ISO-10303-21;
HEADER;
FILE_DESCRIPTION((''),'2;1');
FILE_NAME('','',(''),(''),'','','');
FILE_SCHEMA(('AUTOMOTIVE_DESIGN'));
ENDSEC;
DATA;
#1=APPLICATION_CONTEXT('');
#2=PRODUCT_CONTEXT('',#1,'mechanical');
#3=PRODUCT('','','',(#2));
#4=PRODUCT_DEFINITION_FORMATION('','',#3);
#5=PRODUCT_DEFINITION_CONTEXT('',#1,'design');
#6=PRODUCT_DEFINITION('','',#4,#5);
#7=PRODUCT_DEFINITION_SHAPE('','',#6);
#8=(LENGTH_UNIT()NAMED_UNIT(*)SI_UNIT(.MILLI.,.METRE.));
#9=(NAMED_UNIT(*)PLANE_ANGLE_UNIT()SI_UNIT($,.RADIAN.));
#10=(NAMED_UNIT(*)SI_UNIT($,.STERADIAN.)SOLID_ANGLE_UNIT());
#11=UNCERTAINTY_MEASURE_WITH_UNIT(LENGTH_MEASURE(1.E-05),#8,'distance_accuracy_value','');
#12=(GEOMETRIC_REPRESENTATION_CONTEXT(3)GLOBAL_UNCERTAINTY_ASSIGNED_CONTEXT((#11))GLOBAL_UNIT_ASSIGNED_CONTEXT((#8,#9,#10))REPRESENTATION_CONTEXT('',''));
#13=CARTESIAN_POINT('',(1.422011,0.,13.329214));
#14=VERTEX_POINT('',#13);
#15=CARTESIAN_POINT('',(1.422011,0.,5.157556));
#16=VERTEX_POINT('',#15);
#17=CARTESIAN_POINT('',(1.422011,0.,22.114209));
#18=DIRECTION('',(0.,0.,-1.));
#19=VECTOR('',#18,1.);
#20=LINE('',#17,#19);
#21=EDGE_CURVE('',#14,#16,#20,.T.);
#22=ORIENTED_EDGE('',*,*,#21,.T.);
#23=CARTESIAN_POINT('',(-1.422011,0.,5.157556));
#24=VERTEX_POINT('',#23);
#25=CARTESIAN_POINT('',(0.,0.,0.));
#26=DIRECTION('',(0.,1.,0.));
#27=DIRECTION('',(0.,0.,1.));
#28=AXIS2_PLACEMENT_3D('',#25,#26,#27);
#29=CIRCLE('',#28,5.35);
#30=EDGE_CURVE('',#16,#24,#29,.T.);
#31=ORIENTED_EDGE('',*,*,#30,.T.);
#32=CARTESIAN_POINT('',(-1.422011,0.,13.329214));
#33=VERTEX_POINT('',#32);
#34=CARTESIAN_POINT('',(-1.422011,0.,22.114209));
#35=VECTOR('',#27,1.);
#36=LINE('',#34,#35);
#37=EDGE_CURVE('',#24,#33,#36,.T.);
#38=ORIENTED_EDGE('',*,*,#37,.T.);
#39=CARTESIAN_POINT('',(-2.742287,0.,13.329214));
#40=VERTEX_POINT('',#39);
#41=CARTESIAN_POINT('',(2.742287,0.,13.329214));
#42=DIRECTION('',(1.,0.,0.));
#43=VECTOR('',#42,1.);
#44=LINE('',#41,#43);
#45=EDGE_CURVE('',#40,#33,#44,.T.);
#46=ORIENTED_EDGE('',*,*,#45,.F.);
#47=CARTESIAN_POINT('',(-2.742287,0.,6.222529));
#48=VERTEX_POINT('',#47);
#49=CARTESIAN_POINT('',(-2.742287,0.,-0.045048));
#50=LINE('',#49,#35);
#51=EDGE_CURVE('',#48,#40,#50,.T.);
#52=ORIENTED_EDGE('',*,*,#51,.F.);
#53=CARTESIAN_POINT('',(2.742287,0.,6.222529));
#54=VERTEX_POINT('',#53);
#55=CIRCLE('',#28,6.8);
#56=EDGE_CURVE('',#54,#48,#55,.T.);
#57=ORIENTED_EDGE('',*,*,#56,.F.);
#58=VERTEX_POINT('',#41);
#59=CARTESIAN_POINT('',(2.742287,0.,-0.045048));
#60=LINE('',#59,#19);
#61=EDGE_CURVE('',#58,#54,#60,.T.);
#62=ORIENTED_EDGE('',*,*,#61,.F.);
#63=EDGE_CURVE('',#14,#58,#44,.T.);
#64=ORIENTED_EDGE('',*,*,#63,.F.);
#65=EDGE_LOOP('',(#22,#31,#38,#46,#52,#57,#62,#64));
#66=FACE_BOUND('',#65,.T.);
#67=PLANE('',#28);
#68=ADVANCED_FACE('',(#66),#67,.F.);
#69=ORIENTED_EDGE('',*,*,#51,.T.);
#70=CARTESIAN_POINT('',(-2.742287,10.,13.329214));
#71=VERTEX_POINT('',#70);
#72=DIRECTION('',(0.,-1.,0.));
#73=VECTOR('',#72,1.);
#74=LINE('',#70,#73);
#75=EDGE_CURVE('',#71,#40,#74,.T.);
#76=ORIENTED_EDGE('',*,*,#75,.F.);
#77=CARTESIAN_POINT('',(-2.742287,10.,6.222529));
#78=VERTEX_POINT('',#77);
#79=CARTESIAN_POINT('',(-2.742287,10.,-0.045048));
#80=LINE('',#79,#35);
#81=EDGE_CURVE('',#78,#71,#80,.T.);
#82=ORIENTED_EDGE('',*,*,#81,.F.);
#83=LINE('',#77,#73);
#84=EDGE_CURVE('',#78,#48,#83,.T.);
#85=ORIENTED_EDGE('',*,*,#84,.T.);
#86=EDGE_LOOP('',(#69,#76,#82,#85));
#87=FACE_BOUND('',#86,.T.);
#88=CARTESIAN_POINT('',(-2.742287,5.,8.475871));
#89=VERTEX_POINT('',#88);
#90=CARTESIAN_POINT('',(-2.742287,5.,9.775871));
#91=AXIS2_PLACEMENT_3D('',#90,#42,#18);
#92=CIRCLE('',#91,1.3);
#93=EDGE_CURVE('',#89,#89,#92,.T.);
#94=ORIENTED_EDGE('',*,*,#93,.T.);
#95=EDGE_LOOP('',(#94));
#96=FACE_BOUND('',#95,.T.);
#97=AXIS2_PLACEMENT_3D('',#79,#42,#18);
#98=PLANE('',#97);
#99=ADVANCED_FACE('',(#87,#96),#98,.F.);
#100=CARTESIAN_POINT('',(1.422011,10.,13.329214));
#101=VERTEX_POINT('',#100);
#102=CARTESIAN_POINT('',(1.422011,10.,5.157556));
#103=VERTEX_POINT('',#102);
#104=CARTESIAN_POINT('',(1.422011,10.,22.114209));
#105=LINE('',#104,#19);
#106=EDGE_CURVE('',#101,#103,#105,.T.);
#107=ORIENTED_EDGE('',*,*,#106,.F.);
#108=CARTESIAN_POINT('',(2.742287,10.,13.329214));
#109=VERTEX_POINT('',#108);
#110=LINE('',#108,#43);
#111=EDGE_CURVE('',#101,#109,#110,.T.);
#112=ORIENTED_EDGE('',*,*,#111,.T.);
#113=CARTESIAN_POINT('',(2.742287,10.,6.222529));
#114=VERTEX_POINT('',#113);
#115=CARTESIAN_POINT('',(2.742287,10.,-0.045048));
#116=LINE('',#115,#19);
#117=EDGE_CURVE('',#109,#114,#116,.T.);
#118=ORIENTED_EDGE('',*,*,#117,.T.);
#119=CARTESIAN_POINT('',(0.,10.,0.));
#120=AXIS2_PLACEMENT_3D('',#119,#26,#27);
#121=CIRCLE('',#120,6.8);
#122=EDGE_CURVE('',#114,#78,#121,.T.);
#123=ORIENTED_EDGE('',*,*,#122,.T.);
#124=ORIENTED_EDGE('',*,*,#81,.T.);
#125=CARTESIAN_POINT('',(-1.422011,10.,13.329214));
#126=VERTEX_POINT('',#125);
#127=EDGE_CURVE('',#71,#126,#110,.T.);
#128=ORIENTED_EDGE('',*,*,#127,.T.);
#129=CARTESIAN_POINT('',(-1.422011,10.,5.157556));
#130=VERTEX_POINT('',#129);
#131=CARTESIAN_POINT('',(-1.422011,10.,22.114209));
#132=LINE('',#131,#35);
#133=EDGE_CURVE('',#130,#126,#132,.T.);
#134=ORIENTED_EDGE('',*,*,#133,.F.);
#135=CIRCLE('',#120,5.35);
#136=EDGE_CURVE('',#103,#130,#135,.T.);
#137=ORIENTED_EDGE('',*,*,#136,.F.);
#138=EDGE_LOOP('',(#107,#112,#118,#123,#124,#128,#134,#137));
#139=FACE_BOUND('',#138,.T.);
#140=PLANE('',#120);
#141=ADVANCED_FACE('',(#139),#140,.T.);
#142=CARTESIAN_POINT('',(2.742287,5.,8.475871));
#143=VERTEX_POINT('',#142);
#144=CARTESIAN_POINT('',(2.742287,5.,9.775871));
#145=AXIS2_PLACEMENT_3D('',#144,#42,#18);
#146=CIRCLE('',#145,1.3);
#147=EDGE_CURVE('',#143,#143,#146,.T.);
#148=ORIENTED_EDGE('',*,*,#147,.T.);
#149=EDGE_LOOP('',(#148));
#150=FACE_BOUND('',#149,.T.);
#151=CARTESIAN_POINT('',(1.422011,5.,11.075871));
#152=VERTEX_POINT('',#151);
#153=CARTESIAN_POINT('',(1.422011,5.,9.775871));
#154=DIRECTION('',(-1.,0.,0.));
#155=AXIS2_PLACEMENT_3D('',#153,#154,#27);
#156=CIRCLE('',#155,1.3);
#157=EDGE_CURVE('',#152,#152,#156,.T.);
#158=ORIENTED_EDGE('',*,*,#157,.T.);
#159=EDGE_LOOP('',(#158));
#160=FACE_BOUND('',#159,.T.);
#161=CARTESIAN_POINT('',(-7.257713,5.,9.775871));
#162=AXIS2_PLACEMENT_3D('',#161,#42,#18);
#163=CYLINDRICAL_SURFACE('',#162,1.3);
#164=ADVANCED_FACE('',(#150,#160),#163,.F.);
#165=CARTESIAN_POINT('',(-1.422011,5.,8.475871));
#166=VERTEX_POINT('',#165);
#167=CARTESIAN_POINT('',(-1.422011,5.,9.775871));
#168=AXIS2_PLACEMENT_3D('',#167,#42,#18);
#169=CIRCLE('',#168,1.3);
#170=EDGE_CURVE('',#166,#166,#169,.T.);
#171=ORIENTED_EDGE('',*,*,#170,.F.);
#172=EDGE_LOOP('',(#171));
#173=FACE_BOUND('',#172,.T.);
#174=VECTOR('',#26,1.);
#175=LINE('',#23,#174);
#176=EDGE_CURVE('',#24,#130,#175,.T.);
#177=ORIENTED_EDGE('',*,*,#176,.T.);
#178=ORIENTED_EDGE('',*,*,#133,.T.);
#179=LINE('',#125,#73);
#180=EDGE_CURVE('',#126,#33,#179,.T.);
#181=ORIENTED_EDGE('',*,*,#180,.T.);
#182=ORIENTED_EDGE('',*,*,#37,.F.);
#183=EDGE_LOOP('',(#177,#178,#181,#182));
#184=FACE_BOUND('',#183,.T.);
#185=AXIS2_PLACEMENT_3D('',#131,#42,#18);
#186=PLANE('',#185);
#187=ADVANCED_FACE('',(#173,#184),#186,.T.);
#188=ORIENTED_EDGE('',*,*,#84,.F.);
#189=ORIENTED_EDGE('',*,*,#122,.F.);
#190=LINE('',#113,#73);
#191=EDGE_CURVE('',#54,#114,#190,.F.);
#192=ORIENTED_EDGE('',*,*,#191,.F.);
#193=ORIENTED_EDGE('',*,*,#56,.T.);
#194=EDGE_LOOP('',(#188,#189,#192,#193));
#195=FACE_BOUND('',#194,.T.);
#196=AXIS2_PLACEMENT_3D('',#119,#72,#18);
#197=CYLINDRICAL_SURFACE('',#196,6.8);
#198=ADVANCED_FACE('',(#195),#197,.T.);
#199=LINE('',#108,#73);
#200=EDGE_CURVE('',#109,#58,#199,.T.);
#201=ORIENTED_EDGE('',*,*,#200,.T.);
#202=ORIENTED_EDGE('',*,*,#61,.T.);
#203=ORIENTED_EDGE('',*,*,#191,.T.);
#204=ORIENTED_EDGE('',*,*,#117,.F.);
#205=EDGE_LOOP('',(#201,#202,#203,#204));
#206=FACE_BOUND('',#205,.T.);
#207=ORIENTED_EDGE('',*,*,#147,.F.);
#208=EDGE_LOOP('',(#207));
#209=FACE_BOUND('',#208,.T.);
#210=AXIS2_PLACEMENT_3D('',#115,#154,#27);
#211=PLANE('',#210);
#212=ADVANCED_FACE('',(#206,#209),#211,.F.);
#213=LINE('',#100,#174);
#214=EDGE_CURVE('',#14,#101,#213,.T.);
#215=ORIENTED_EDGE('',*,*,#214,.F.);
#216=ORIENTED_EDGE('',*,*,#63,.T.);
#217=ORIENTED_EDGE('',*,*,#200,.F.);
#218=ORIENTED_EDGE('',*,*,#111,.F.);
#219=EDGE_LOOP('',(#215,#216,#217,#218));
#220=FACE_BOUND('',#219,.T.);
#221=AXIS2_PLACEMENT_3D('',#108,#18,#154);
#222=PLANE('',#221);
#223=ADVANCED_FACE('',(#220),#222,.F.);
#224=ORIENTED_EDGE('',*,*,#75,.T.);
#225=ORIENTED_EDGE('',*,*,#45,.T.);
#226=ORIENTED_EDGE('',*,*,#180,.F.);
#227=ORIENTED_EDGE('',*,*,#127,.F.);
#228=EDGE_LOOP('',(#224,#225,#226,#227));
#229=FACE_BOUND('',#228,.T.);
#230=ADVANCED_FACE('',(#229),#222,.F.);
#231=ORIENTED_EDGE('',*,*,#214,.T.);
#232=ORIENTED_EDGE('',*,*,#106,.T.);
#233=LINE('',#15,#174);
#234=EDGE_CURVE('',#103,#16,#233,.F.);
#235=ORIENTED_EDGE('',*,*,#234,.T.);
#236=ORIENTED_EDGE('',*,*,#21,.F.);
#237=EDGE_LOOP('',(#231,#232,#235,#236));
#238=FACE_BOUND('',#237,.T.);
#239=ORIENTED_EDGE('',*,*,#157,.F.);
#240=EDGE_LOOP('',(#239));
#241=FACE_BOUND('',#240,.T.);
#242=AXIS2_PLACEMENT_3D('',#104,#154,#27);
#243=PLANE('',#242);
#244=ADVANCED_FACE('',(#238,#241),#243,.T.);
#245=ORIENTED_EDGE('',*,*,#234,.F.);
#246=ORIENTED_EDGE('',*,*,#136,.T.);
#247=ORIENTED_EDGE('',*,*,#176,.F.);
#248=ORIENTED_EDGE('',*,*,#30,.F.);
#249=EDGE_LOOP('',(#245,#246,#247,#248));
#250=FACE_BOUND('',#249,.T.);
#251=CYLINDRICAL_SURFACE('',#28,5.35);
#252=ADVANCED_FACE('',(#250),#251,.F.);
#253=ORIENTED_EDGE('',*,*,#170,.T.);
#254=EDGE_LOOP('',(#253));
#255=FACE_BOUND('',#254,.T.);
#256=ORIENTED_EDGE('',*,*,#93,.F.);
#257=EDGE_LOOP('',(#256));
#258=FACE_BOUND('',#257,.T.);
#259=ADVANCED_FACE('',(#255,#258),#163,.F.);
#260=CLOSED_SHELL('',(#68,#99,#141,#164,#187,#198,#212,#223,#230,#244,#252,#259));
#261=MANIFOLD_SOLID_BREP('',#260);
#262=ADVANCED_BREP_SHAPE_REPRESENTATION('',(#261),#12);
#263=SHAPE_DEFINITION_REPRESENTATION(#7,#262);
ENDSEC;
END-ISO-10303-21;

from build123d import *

# Parameters (mm, degrees)
SKETCH_1_R          = 6.8
EXTRUDE_1_DEPTH     = 10
SKETCH_3_W          = 5.484573778
SKETCH_3_H          = 13.374261712
EXTRUDE_2_DEPTH     = 10
SKETCH_2_R          = 5.35
CUT_EXTRUDE_1_DEPTH = 10
SKETCH_4_W          = 2.844022018
SKETCH_4_H          = 17.569991778
CUT_EXTRUDE_2_DEPTH = 10
SKETCH_5_R          = 1.3
CUT_EXTRUDE_3_DEPTH = 10


with BuildPart() as part:
    # 草图1 → 凸台-拉伸1 (new body)
    with BuildSketch(Plane(origin=(0, 0, 0), x_dir=(1, 0, 0), z_dir=(0, 1, 0))):
        with Locations(Location((0, 0, 0), (0, 0, 270))):
            Circle(SKETCH_1_R)
    extrude(amount=EXTRUDE_1_DEPTH)

    # 草图3 → 凸台-拉伸2 (add)
    with BuildSketch(Plane(origin=(0, 0, 0), x_dir=(1, 0, 0), z_dir=(0, 1, 0))):
        with Locations((0, -6.642082697)):
            Rectangle(SKETCH_3_W, SKETCH_3_H)
    extrude(amount=EXTRUDE_2_DEPTH)

    # 草图2 → 切除-拉伸1 (cut)
    with BuildSketch(Plane(origin=(0, 10, 0), x_dir=(1, 0, 0), z_dir=(0, 1, 0))):
        with Locations(Location((0, 0, 0), (0, 0, 270))):
            Circle(SKETCH_2_R)
    extrude(amount=-CUT_EXTRUDE_1_DEPTH, mode=Mode.SUBTRACT)

    # 草图4 → 切除-拉伸2 (cut)
    with BuildSketch(Plane(origin=(0, 0, 0), x_dir=(1, 0, 0), z_dir=(0, 1, 0))):
        with Locations((0, -13.329213553)):
            Rectangle(SKETCH_4_W, SKETCH_4_H)
    extrude(amount=CUT_EXTRUDE_2_DEPTH, mode=Mode.SUBTRACT)

    # 草图5 → 切除-拉伸3 (cut)
    with BuildSketch(Plane(origin=(2.742286889, 0, 0), x_dir=(0, 0, -1), z_dir=(1, 0, 0))):
        with Locations((-9.775871094, 5)):
            Circle(SKETCH_5_R)
    extrude(amount=-CUT_EXTRUDE_3_DEPTH, mode=Mode.SUBTRACT)


solid = part.part
